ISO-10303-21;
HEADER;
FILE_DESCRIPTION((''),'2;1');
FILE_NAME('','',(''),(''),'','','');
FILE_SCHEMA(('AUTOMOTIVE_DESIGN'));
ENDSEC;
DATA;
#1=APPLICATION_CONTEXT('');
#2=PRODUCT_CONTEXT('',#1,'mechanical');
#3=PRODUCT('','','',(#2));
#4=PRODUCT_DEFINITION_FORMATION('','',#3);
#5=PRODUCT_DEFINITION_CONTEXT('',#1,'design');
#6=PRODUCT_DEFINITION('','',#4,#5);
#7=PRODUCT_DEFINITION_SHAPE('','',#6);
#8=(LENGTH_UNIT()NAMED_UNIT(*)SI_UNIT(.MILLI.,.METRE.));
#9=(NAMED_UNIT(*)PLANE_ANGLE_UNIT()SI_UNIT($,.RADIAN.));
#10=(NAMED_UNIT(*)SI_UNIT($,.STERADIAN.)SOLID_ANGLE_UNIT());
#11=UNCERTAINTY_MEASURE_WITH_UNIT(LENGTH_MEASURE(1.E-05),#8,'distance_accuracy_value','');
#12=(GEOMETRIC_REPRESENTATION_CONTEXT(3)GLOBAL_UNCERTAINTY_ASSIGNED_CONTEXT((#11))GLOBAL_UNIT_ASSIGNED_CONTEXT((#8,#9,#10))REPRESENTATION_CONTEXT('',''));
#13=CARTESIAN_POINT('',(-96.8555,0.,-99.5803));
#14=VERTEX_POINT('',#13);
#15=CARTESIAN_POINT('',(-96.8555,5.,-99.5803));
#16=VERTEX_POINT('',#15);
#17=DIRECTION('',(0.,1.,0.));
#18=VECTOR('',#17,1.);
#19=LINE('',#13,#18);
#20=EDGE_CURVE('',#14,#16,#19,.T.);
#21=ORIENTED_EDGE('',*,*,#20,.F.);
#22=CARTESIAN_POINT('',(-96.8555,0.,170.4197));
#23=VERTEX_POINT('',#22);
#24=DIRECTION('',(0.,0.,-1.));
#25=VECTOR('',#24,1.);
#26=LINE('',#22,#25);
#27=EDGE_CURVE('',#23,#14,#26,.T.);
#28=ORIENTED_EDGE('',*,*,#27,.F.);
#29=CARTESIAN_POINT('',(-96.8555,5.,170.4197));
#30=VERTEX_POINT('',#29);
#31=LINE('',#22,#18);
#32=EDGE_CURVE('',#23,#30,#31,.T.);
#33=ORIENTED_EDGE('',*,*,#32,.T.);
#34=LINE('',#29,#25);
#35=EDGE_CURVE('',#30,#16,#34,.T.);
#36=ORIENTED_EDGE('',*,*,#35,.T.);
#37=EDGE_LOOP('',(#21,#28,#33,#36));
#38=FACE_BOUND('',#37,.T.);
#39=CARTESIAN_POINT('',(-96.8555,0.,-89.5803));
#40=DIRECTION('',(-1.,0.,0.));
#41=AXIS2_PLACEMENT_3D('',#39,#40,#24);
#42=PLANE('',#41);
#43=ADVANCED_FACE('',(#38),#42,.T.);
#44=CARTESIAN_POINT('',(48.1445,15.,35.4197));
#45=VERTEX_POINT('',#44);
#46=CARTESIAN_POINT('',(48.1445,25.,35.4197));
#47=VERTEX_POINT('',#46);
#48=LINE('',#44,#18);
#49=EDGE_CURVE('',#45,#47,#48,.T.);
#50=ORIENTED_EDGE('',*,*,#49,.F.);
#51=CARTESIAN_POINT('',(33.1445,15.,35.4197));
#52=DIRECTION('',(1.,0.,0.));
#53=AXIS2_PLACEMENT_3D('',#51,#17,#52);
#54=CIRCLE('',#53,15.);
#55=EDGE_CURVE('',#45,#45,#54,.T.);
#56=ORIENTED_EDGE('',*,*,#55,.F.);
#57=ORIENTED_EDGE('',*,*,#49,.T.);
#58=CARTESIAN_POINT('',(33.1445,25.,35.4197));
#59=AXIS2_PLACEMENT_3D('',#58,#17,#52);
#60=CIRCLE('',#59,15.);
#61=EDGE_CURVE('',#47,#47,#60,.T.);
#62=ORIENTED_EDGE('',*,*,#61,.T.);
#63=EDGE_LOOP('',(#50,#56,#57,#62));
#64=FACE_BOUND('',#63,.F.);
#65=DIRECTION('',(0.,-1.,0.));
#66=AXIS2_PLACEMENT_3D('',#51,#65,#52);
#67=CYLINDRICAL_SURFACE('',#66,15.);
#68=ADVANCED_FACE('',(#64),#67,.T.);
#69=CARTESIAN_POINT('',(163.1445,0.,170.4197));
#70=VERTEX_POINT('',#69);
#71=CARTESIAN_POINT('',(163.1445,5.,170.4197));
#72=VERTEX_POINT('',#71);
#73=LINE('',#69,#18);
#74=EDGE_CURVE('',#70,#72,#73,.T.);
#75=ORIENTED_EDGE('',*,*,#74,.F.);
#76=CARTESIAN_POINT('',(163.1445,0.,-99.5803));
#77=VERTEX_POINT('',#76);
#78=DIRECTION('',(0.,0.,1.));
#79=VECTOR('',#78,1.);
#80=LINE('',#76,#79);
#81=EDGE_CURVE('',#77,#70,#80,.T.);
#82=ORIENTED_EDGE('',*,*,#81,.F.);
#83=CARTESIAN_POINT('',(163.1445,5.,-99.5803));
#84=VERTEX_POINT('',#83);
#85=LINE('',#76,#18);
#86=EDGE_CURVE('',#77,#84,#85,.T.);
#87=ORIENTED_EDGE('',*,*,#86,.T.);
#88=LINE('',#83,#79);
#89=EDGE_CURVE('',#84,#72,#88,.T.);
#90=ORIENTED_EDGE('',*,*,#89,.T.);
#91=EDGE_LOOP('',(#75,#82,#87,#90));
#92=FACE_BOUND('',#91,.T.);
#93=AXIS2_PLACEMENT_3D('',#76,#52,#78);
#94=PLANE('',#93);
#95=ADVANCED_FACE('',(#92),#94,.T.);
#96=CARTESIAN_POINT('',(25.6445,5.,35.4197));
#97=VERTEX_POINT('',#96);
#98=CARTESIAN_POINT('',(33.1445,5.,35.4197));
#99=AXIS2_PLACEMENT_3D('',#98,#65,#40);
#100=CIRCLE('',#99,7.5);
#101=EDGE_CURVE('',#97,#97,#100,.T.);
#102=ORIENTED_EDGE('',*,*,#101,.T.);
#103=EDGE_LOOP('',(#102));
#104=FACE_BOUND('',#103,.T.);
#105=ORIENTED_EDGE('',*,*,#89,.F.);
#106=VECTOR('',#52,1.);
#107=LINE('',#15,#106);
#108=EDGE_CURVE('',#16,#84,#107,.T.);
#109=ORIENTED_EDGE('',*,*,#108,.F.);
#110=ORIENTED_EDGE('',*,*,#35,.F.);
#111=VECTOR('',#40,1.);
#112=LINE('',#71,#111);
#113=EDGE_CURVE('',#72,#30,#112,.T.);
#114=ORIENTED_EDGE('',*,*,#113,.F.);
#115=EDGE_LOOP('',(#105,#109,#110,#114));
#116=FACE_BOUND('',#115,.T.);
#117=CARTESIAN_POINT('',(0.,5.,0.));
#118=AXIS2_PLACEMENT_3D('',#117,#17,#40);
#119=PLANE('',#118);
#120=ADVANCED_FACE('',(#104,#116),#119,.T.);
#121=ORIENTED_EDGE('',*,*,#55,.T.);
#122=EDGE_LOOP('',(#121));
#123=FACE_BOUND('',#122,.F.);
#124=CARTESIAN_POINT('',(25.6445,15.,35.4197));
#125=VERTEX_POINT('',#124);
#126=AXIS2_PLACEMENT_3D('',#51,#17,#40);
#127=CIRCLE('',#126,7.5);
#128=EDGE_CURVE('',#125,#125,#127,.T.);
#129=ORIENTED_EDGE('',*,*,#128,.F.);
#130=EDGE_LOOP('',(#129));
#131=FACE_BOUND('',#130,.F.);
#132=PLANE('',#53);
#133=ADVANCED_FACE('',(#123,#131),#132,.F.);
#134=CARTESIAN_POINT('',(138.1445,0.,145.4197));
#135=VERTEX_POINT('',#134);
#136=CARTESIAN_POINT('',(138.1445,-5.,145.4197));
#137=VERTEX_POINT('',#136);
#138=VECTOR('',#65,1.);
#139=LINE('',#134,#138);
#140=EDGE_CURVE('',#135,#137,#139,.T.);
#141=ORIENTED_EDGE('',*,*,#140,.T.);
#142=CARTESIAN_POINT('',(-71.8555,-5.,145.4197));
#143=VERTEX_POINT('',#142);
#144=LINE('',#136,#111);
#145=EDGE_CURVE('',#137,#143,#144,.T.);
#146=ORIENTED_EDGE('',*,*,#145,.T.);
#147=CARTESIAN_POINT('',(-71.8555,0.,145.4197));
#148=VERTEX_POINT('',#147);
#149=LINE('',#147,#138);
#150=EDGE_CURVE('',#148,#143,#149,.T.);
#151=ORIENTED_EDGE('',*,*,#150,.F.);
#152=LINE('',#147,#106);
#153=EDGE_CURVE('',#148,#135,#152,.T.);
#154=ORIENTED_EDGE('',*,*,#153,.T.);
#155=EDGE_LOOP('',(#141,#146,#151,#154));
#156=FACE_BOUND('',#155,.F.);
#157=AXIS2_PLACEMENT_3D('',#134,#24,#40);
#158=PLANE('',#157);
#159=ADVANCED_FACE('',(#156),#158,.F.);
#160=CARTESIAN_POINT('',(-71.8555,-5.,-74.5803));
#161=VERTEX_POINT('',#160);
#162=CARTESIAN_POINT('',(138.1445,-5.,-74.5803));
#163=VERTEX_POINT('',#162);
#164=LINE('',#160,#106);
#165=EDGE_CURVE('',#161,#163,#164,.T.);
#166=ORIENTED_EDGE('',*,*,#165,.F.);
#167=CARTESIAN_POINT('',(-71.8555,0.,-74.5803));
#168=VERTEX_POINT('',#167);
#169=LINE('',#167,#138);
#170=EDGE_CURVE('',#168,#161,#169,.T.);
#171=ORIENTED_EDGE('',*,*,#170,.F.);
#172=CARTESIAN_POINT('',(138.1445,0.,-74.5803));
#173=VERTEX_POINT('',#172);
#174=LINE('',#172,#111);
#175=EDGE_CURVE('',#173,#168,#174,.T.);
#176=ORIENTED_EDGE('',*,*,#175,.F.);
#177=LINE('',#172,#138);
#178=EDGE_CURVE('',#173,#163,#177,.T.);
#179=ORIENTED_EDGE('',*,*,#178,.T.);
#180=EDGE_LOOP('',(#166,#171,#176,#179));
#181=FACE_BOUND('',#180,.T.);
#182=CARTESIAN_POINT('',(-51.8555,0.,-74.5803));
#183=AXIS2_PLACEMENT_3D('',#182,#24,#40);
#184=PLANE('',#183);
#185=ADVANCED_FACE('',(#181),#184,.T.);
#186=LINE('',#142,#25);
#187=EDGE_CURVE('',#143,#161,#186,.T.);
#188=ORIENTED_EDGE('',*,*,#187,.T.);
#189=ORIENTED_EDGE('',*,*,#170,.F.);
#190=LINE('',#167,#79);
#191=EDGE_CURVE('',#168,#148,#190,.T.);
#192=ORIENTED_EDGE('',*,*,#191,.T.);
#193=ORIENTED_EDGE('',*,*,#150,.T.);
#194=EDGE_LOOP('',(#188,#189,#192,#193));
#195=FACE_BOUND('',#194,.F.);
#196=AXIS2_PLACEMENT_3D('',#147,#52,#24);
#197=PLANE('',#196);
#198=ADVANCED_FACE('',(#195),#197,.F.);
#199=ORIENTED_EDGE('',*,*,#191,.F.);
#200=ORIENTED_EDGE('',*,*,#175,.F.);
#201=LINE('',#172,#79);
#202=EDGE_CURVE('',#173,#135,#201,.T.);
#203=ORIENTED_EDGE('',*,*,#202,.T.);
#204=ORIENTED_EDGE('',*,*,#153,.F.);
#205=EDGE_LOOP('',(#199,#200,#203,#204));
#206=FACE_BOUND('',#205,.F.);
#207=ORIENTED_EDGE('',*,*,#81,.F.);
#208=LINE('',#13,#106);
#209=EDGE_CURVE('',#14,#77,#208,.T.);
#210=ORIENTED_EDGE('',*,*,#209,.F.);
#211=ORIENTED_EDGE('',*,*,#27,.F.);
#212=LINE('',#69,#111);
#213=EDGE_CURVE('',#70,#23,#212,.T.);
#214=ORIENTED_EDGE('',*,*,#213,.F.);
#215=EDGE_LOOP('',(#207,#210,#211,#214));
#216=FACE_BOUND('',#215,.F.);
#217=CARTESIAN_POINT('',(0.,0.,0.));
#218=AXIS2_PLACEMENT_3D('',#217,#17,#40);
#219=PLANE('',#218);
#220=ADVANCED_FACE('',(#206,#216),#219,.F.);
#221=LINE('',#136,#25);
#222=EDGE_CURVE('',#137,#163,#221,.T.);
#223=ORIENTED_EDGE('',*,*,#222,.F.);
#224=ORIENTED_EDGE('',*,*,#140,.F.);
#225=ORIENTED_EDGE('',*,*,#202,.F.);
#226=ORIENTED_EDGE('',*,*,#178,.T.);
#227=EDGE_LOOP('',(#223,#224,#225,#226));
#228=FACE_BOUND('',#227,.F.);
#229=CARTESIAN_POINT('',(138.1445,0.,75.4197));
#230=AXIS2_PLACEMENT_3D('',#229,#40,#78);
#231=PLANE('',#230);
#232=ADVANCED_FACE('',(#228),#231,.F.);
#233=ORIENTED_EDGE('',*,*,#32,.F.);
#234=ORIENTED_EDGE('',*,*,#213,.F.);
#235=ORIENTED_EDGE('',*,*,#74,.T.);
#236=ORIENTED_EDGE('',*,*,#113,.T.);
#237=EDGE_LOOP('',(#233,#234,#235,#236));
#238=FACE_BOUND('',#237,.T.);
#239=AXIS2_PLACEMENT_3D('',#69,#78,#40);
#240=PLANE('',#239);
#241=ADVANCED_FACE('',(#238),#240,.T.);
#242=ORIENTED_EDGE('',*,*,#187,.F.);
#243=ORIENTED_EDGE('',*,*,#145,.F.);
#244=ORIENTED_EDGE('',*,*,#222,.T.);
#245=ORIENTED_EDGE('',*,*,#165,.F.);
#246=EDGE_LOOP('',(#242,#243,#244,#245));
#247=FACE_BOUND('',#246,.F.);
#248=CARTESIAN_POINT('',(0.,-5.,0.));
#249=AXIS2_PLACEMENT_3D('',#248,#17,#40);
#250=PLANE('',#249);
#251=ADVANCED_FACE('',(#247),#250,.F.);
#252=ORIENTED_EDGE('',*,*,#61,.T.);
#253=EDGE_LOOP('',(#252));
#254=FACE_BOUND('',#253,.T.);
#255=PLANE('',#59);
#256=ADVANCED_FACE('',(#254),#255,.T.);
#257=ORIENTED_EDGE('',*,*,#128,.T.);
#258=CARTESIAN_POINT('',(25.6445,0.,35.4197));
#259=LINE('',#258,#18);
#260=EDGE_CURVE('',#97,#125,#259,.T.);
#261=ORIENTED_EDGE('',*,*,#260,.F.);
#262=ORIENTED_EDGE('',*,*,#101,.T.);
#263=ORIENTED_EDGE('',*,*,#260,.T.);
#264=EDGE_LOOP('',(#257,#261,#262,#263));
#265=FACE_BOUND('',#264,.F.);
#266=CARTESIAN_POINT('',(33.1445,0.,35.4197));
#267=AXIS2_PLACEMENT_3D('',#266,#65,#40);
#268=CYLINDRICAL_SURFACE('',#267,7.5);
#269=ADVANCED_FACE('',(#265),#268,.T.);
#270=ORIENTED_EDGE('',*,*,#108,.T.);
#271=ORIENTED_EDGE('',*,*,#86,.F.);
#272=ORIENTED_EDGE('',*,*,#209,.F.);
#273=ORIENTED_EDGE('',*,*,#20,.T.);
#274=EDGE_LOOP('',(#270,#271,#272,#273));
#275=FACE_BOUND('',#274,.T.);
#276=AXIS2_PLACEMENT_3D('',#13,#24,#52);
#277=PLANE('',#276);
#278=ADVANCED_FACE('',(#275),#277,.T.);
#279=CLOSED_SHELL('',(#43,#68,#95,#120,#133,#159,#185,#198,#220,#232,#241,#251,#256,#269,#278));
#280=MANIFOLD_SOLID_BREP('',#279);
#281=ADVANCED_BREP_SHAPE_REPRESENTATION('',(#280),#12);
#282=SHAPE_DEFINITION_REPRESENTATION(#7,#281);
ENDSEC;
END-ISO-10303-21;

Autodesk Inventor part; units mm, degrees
ref_plane "YZ Plane" through (0, 0, 0) normal (1, 0, 0) x (0, 1, 0)
ref_plane "XZ Plane" through (0, 0, 0) normal (0, 1, 0) x (-1, 0, 0)
ref_plane "XY Plane" through (0, 0, 0) normal (0, 0, 1) x (1, 0, 0)
sketch "Sketch1" plane through (0, 0, 0) normal (0, 1, 0) x (-1, 0, 0)
  line L0 (-138.1445, 75.4197) -> (-138.1445, 125.4197)
  line L1 (-138.1445, -54.5803) -> (-138.1445, -4.5803)
  line L2 (-118.1445, -74.5803) -> (-68.1445, -74.5803)
  line L3 (1.8555, -74.5803) -> (51.8555, -74.5803)
  line L4 (71.8555, -54.5803) -> (71.8555, -4.5803)
  line L5 (71.8555, 125.4197) -> (71.8555, 75.4197)
  line L6 (51.8555, 145.4197) -> (1.8555, 145.4197)
  line L7 (-68.1445, 145.4197) -> (-118.1445, 145.4197)
  line L8 (51.8555, -74.5803) -> (71.8555, -74.5803)
  line L9 (71.8555, -74.5803) -> (71.8555, -54.5803)
  line L10 (71.8555, -74.5803) -> (-138.1445, -74.5803)
  line L11 (-138.1445, -74.5803) -> (-138.1445, 145.4197)
  line L12 (-138.1445, 145.4197) -> (71.8555, 145.4197)
  line L13 (71.8555, 145.4197) -> (71.8555, -74.5803)
  line L14 (96.8555, -89.5803) -> (96.8555, -99.5803)
  line L15 (96.8555, -99.5803) -> (-163.1445, -99.5803)
  line L16 (-163.1445, -99.5803) -> (-163.1445, 170.4197)
  line L17 (-163.1445, 170.4197) -> (96.8555, 170.4197)
  line L18 (96.8555, 170.4197) -> (96.8555, -99.5803)
  circle A0 centre (-33.1445, 35.4197) radius 7.5
  circle A1 centre (-33.1445, 35.4197) radius 15
  point P0 (0, 0)
  dimension "d37" = 260
  dimension "d38" = 270
  dimension "d39" = 260
  dimension "d40" = 15
  dimension "d41" = 30
extrude "Extrusion2" add sketch "Sketch1" against normal blind 5 contours L0 L11 L12 L7 L6 L13 L5 L4 L9 L8 L3 L10 L2 L1 | A0 | A1
extrude "Extrusion3" add sketch "Sketch1" along normal blind 5 contours L0 L11 L12 L7 L6 L13 L5 L4 L9 L8 L3 L10 L2 L1 | L14 L15 L16 L17 L18 | A0 | A1
extrude "Extrusion4" add sketch "Sketch1" along normal blind 15 contours A0
ref_plane "Work Plane3" through (33.1445, 15, 35.4197) normal (0, 1, 0) x (1, 0, 0)
sketch "Sketch2" plane through (33.1445, 15, 35.4197) normal (0, 1, 0) x (1, 0, 0)
  circle A0 centre (0, 0) radius 15
  point P0 (-33.1445, 35.4197)
  dimension "d53" = 30
extrude "Extrusion6" add sketch "Sketch2" along normal blind 10
properties part number "Part Buttom"
